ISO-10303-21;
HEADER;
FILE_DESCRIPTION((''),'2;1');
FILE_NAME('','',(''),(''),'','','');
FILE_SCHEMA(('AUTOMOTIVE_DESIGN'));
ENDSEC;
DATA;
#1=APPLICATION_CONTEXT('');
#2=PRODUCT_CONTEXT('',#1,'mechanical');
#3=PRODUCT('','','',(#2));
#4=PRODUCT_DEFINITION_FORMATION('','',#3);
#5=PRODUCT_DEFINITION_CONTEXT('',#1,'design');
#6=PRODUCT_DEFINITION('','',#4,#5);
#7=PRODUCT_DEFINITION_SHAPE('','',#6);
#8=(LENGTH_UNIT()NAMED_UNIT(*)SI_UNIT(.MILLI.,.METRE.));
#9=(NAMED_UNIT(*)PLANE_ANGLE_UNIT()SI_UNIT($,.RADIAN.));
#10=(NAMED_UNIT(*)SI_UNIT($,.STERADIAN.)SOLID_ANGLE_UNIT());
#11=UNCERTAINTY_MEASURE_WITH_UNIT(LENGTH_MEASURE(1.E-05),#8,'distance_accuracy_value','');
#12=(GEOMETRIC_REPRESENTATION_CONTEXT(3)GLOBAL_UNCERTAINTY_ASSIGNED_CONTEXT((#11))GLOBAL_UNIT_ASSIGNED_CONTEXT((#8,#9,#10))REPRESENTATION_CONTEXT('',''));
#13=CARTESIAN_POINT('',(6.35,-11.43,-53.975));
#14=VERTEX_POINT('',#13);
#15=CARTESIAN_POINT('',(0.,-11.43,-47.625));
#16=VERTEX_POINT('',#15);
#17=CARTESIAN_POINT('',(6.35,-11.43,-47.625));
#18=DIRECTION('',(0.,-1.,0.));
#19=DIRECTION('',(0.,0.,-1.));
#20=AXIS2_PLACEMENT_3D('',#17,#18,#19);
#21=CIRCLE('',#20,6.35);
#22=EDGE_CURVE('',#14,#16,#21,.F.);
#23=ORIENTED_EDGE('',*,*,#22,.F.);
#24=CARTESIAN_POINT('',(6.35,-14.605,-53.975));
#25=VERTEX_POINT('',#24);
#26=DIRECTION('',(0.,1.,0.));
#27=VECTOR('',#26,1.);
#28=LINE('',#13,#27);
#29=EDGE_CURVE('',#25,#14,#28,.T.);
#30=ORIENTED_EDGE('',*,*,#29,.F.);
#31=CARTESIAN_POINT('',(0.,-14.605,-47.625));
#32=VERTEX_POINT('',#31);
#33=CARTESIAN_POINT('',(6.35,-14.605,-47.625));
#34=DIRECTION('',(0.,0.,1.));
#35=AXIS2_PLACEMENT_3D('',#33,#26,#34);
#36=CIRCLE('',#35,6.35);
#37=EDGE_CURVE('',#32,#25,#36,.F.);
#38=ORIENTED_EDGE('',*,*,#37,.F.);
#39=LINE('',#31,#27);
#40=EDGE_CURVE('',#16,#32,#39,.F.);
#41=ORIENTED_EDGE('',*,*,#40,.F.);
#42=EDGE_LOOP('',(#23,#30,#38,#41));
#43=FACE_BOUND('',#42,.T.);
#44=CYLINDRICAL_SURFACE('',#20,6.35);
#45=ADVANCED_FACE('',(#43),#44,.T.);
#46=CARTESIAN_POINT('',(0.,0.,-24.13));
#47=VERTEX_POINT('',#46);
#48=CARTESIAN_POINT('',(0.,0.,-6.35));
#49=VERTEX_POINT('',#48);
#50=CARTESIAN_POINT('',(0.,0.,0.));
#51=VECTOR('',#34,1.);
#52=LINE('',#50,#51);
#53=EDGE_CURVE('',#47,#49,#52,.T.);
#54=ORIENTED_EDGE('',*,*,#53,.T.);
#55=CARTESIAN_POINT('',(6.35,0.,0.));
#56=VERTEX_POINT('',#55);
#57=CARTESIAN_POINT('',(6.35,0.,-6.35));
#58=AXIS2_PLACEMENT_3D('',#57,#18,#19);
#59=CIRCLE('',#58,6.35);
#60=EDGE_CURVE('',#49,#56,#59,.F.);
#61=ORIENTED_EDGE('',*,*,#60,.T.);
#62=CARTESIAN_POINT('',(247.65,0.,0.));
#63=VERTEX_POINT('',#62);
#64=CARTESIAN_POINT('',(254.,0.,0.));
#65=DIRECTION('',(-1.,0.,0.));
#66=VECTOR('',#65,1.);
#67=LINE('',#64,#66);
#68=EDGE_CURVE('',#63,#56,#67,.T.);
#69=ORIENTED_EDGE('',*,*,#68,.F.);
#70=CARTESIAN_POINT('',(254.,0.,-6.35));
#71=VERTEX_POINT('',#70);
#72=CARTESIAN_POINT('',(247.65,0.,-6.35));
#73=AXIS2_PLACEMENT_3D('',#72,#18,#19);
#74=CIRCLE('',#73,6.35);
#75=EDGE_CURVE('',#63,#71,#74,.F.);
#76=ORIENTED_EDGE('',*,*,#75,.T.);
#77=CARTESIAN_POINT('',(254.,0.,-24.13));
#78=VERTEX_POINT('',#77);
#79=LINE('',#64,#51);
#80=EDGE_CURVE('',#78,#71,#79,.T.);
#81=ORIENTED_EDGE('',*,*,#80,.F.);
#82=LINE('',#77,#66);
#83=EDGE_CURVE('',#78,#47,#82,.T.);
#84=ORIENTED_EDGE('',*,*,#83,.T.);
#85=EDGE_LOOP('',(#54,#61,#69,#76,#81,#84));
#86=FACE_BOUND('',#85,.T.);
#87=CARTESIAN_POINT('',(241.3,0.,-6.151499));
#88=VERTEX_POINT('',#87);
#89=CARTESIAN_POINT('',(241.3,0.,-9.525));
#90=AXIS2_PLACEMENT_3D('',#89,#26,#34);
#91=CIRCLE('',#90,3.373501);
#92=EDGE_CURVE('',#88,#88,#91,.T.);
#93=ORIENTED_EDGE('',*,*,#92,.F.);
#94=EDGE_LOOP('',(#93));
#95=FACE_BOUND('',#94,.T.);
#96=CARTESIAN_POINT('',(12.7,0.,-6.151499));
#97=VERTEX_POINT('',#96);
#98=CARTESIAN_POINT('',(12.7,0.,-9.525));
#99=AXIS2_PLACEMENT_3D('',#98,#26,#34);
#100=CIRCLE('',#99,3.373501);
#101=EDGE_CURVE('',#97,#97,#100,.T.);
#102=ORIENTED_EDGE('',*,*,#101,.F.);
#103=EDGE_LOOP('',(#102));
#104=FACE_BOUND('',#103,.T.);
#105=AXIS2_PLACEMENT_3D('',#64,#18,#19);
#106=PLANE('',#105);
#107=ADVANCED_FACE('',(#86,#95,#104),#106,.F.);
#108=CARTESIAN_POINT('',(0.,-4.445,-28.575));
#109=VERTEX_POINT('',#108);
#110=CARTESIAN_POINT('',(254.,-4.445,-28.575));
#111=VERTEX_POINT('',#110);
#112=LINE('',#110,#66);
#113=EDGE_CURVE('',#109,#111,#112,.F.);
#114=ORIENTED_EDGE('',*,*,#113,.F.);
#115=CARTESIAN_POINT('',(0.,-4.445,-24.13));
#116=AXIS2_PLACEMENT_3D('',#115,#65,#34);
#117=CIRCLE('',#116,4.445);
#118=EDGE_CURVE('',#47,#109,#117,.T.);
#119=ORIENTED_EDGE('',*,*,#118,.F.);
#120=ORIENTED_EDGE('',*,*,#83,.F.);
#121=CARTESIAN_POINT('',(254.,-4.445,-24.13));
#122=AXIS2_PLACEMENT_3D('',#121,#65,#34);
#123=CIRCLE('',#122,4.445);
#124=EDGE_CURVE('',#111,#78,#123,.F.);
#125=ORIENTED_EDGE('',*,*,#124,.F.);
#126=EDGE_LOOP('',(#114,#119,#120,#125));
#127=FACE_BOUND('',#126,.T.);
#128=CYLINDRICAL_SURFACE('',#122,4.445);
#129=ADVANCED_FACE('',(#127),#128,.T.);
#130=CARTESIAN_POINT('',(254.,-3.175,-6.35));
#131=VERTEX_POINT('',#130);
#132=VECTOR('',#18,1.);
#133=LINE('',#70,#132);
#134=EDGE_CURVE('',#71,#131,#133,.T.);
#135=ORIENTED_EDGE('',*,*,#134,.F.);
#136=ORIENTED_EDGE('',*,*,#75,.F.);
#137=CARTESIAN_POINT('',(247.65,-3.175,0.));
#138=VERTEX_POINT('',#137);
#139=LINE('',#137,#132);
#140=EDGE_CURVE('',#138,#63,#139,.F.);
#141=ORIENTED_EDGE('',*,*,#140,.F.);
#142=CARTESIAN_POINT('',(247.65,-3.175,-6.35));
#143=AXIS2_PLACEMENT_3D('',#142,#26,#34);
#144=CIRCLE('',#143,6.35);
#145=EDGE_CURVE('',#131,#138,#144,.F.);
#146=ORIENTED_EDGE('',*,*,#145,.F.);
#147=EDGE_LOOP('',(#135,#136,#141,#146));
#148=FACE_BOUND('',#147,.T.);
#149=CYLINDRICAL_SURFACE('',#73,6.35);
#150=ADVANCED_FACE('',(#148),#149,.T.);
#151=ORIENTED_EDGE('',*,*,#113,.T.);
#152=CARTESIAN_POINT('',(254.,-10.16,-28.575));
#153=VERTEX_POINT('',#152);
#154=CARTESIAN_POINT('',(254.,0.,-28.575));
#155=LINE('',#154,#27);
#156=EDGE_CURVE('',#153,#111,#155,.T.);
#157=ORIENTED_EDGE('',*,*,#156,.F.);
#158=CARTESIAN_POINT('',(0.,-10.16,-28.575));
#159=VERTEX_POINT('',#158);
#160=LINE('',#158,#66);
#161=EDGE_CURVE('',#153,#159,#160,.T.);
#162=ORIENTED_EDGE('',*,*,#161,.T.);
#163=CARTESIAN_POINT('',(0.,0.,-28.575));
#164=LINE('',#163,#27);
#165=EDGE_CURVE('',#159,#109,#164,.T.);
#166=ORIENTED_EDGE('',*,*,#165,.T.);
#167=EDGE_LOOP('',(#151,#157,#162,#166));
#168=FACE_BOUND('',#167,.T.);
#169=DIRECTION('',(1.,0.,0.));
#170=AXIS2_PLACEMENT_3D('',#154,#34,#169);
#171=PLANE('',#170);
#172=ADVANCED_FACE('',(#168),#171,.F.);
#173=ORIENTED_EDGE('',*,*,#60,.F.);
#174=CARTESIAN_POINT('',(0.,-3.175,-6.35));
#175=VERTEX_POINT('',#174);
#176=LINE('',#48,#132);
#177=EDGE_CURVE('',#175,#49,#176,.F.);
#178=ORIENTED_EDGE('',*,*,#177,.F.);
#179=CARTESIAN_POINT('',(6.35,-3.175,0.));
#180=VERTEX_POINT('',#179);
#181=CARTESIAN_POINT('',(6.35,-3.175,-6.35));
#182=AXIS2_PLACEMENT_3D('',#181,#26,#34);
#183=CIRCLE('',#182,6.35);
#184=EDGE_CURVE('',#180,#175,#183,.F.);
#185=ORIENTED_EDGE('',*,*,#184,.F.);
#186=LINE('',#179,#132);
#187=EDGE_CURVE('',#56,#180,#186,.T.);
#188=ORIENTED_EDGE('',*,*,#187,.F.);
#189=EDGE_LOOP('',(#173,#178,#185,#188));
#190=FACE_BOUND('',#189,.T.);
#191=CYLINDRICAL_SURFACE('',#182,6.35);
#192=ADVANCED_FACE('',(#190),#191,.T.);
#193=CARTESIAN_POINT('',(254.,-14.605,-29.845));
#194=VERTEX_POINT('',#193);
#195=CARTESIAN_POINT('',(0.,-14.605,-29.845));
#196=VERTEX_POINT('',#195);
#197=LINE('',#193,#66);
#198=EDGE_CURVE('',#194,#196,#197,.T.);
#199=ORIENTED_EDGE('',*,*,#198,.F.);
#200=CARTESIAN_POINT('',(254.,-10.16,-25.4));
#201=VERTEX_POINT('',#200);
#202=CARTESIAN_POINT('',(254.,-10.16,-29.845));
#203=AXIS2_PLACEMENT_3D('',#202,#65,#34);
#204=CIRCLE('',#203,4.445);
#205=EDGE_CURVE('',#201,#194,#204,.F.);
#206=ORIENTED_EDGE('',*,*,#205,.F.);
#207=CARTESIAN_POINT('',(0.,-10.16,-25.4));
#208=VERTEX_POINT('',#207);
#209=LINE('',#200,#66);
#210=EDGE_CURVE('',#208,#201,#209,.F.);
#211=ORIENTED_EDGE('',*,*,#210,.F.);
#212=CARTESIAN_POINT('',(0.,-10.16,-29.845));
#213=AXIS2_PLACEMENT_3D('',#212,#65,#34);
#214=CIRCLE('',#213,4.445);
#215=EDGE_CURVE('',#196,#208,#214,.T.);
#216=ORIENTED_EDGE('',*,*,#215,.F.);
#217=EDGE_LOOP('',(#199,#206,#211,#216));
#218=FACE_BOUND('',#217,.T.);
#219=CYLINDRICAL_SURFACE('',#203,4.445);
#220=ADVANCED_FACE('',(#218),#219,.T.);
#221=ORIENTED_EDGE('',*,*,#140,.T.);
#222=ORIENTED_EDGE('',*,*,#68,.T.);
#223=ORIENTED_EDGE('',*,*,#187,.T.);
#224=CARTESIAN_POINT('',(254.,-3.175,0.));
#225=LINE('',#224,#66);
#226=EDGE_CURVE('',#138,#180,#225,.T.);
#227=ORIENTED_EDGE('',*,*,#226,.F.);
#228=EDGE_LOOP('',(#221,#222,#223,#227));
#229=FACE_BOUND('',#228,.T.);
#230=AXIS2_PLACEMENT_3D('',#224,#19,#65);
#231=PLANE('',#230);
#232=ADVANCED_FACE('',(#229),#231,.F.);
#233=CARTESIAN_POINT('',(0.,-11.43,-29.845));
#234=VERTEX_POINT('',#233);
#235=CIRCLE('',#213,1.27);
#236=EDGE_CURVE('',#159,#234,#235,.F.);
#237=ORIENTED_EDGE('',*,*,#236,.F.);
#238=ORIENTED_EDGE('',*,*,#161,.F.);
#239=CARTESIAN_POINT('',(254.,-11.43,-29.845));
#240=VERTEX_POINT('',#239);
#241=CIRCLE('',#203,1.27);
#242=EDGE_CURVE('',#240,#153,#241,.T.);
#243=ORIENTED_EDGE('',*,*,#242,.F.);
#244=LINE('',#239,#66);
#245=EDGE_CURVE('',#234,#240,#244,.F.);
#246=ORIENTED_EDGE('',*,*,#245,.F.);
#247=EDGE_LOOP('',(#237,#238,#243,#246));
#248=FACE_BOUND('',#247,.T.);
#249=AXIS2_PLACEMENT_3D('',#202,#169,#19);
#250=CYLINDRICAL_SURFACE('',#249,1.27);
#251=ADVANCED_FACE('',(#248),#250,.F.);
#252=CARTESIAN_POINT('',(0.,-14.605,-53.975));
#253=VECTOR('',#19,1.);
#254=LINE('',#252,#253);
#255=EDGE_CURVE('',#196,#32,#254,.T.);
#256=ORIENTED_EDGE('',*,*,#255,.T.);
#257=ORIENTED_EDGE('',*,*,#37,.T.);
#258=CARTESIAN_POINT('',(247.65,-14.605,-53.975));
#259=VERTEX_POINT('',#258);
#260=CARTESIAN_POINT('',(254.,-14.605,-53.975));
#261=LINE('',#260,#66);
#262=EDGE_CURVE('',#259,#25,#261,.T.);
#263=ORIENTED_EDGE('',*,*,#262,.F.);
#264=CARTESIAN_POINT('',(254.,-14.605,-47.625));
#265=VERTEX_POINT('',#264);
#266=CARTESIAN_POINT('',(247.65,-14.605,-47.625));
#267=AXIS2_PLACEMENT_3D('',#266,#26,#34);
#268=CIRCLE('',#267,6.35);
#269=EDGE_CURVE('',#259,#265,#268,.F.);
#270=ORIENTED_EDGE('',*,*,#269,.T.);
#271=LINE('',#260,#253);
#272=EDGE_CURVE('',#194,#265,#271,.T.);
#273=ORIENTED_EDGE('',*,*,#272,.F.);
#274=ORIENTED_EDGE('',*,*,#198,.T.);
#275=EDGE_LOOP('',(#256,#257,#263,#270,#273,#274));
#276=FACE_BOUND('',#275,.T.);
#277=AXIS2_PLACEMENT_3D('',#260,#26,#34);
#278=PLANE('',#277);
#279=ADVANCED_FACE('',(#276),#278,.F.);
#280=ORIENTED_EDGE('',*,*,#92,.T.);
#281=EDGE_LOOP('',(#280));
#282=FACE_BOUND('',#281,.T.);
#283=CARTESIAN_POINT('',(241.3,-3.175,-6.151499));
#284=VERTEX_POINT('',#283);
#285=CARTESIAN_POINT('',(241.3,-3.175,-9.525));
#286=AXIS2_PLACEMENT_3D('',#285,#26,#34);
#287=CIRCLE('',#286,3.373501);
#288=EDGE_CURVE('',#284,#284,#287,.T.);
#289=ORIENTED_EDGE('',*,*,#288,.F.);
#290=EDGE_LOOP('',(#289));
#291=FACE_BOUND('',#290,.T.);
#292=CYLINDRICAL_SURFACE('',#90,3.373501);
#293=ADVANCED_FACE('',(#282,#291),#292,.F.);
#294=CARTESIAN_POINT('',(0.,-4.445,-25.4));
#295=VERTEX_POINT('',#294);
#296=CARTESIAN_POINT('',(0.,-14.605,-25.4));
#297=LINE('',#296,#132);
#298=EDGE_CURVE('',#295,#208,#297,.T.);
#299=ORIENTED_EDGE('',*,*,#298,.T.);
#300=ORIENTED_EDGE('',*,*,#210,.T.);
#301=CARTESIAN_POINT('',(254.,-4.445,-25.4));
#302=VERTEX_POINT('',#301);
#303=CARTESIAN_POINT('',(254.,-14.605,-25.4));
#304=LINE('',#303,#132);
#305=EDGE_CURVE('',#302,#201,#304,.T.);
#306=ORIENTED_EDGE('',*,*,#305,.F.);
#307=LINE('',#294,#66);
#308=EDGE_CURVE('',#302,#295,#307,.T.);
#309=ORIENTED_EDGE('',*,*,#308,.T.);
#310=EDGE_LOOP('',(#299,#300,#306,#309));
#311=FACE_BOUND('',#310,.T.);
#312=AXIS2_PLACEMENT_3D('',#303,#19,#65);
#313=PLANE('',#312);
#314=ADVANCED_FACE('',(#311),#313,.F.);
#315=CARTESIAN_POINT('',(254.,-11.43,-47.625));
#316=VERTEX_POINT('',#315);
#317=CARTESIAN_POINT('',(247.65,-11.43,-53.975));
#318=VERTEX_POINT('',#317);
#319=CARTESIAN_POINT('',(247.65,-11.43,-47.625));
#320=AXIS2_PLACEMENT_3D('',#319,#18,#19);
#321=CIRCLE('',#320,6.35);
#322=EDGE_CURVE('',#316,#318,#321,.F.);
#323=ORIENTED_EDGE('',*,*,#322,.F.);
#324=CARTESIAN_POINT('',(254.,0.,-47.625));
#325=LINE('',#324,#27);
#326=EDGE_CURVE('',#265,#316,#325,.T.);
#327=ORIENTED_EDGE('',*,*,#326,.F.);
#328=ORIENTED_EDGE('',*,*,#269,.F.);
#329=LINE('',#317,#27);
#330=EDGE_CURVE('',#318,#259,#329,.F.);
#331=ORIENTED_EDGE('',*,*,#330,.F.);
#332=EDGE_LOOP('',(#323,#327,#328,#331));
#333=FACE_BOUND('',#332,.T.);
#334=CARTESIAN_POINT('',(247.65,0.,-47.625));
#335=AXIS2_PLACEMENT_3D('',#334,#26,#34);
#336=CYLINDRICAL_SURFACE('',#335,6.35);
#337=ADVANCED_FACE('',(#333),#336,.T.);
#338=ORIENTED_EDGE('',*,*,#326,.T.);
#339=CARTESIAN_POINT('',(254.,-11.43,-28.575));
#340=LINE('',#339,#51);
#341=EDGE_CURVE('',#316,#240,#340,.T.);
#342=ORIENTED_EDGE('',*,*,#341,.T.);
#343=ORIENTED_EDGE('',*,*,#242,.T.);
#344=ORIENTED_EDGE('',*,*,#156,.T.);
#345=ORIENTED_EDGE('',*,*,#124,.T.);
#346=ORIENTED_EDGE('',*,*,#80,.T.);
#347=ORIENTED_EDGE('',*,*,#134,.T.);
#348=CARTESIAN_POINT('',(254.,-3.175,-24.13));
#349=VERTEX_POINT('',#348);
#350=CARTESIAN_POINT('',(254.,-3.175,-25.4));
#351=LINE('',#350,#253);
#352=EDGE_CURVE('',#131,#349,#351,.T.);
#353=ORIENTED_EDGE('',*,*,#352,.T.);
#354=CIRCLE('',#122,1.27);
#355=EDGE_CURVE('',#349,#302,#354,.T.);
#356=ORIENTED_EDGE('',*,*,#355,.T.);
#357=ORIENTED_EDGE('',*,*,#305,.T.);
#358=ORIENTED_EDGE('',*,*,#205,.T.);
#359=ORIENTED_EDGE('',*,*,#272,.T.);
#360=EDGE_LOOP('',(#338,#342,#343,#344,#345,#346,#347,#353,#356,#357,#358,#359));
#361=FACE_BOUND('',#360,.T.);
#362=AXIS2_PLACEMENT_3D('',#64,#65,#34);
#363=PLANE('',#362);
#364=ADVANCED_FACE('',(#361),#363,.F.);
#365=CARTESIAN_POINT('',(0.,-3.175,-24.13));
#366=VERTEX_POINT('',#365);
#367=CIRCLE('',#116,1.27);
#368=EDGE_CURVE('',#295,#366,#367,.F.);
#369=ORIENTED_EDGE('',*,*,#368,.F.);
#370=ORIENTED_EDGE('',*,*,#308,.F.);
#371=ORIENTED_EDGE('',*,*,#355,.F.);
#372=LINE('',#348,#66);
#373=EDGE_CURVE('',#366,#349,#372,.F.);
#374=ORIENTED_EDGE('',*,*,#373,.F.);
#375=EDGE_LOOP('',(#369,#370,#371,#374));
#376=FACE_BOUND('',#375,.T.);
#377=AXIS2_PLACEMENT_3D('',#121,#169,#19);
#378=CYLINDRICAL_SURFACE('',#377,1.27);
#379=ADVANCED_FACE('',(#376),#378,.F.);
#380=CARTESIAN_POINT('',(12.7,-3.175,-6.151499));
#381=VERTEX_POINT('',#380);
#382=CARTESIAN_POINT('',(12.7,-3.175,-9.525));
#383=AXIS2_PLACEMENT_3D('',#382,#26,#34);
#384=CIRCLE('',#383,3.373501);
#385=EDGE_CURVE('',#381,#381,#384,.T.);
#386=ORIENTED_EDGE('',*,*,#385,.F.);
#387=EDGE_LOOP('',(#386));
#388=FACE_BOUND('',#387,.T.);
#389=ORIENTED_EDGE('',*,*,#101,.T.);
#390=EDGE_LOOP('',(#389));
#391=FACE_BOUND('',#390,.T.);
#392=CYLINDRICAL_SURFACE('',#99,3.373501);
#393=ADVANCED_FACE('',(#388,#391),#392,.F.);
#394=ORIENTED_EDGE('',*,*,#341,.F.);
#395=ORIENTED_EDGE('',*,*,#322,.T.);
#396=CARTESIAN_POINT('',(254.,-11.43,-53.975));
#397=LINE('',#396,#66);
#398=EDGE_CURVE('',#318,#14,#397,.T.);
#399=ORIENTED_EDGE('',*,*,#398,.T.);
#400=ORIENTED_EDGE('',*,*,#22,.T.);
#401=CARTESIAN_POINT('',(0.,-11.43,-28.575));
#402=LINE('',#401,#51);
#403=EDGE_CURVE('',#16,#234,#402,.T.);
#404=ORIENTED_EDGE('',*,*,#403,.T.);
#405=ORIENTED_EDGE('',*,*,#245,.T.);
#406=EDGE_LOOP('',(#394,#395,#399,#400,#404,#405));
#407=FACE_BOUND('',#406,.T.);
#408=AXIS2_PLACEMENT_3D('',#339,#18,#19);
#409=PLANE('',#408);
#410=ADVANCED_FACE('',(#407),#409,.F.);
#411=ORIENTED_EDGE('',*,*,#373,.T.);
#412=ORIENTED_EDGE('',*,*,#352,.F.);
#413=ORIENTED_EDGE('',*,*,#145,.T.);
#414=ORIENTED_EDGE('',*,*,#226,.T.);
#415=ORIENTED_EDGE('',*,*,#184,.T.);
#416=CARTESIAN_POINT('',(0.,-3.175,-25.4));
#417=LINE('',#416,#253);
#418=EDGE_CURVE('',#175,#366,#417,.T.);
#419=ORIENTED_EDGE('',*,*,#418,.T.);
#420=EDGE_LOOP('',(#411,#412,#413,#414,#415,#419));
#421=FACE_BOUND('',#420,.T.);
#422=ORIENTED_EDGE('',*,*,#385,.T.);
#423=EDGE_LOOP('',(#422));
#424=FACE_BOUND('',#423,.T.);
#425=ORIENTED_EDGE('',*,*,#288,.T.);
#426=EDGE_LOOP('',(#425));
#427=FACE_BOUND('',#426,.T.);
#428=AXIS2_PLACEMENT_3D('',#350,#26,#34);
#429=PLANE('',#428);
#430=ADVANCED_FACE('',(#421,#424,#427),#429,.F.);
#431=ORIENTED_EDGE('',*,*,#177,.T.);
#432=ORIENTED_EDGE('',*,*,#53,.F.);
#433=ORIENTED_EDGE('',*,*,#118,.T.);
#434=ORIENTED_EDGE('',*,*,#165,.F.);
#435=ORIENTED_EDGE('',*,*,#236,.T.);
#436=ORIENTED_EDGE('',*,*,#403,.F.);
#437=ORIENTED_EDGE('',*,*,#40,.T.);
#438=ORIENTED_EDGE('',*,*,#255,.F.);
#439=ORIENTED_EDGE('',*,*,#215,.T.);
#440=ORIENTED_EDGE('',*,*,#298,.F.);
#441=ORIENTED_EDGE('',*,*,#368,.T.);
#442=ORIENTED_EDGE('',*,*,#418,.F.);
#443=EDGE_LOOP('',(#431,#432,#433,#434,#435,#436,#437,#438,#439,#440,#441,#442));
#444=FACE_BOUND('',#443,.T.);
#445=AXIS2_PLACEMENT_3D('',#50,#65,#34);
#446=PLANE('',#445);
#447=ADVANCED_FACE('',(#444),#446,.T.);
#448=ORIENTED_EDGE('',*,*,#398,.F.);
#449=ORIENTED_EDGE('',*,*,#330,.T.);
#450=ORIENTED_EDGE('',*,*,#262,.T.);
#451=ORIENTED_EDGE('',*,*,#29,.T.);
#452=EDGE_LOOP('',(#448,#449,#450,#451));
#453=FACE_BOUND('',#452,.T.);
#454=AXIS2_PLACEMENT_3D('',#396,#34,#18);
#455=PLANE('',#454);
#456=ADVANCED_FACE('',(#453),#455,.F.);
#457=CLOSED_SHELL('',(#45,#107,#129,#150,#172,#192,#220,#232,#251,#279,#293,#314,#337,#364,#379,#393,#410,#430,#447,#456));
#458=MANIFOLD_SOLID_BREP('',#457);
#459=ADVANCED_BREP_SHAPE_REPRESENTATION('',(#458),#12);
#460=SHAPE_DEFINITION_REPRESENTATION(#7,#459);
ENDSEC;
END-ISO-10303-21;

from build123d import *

# Parameters (mm, degrees)
BOSS_EXTRUDE1_DEPTH              = 254
FILLET1_R                        = 1.27
FILLET2_R                        = 4.445
F_17_64_0_26563_DIAMETER_HOLE1_D = 6.747002
FILLET3_R                        = 6.35


with BuildPart() as part:
    # Sketch1 → Boss-Extrude1 (new body)
    with BuildSketch(Plane(origin=(0, 0, 0), x_dir=(0, 0, -1), z_dir=(1, 0, 0))):
        Polygon((0, 0), (28.575, 0), (28.575, -11.43), (53.975, -11.43), (53.975, -14.605), (25.4, -14.605), (25.4, -3.175), (0, -3.175), align=None)
    extrude(amount=BOSS_EXTRUDE1_DEPTH)

    # Fillet1
    fillet1_edges = [part.edges().sort_by_distance(p)[0] for p in [
        (127, -11.43, -28.575),
        (127, -3.175, -25.4),
    ]]
    fillet(fillet1_edges, radius=FILLET1_R)

    # Fillet2
    fillet2_edges = [part.edges().sort_by_distance(p)[0] for p in [
        (127, 0, -28.575),
        (127, -14.605, -25.4),
    ]]
    fillet(fillet2_edges, radius=FILLET2_R)

    # 17/64 (0.26563) Diameter Hole1 (through all)
    with Locations(Plane(origin=(0, 0, 0), x_dir=(1, 0, 0), z_dir=(0, 1, 0))):
        with Locations((241.3, 9.525), (12.7, 9.525)):
            Hole(F_17_64_0_26563_DIAMETER_HOLE1_D / 2)

    # Fillet3
    fillet3_edges = [part.edges().sort_by_distance(p)[0] for p in [
        (0, -1.5875, 0),
        (254, -13.0175, -53.975),
        (254, -1.5875, 0),
        (0, -13.0175, -53.975),
    ]]
    fillet(fillet3_edges, radius=FILLET3_R)


solid = part.part
